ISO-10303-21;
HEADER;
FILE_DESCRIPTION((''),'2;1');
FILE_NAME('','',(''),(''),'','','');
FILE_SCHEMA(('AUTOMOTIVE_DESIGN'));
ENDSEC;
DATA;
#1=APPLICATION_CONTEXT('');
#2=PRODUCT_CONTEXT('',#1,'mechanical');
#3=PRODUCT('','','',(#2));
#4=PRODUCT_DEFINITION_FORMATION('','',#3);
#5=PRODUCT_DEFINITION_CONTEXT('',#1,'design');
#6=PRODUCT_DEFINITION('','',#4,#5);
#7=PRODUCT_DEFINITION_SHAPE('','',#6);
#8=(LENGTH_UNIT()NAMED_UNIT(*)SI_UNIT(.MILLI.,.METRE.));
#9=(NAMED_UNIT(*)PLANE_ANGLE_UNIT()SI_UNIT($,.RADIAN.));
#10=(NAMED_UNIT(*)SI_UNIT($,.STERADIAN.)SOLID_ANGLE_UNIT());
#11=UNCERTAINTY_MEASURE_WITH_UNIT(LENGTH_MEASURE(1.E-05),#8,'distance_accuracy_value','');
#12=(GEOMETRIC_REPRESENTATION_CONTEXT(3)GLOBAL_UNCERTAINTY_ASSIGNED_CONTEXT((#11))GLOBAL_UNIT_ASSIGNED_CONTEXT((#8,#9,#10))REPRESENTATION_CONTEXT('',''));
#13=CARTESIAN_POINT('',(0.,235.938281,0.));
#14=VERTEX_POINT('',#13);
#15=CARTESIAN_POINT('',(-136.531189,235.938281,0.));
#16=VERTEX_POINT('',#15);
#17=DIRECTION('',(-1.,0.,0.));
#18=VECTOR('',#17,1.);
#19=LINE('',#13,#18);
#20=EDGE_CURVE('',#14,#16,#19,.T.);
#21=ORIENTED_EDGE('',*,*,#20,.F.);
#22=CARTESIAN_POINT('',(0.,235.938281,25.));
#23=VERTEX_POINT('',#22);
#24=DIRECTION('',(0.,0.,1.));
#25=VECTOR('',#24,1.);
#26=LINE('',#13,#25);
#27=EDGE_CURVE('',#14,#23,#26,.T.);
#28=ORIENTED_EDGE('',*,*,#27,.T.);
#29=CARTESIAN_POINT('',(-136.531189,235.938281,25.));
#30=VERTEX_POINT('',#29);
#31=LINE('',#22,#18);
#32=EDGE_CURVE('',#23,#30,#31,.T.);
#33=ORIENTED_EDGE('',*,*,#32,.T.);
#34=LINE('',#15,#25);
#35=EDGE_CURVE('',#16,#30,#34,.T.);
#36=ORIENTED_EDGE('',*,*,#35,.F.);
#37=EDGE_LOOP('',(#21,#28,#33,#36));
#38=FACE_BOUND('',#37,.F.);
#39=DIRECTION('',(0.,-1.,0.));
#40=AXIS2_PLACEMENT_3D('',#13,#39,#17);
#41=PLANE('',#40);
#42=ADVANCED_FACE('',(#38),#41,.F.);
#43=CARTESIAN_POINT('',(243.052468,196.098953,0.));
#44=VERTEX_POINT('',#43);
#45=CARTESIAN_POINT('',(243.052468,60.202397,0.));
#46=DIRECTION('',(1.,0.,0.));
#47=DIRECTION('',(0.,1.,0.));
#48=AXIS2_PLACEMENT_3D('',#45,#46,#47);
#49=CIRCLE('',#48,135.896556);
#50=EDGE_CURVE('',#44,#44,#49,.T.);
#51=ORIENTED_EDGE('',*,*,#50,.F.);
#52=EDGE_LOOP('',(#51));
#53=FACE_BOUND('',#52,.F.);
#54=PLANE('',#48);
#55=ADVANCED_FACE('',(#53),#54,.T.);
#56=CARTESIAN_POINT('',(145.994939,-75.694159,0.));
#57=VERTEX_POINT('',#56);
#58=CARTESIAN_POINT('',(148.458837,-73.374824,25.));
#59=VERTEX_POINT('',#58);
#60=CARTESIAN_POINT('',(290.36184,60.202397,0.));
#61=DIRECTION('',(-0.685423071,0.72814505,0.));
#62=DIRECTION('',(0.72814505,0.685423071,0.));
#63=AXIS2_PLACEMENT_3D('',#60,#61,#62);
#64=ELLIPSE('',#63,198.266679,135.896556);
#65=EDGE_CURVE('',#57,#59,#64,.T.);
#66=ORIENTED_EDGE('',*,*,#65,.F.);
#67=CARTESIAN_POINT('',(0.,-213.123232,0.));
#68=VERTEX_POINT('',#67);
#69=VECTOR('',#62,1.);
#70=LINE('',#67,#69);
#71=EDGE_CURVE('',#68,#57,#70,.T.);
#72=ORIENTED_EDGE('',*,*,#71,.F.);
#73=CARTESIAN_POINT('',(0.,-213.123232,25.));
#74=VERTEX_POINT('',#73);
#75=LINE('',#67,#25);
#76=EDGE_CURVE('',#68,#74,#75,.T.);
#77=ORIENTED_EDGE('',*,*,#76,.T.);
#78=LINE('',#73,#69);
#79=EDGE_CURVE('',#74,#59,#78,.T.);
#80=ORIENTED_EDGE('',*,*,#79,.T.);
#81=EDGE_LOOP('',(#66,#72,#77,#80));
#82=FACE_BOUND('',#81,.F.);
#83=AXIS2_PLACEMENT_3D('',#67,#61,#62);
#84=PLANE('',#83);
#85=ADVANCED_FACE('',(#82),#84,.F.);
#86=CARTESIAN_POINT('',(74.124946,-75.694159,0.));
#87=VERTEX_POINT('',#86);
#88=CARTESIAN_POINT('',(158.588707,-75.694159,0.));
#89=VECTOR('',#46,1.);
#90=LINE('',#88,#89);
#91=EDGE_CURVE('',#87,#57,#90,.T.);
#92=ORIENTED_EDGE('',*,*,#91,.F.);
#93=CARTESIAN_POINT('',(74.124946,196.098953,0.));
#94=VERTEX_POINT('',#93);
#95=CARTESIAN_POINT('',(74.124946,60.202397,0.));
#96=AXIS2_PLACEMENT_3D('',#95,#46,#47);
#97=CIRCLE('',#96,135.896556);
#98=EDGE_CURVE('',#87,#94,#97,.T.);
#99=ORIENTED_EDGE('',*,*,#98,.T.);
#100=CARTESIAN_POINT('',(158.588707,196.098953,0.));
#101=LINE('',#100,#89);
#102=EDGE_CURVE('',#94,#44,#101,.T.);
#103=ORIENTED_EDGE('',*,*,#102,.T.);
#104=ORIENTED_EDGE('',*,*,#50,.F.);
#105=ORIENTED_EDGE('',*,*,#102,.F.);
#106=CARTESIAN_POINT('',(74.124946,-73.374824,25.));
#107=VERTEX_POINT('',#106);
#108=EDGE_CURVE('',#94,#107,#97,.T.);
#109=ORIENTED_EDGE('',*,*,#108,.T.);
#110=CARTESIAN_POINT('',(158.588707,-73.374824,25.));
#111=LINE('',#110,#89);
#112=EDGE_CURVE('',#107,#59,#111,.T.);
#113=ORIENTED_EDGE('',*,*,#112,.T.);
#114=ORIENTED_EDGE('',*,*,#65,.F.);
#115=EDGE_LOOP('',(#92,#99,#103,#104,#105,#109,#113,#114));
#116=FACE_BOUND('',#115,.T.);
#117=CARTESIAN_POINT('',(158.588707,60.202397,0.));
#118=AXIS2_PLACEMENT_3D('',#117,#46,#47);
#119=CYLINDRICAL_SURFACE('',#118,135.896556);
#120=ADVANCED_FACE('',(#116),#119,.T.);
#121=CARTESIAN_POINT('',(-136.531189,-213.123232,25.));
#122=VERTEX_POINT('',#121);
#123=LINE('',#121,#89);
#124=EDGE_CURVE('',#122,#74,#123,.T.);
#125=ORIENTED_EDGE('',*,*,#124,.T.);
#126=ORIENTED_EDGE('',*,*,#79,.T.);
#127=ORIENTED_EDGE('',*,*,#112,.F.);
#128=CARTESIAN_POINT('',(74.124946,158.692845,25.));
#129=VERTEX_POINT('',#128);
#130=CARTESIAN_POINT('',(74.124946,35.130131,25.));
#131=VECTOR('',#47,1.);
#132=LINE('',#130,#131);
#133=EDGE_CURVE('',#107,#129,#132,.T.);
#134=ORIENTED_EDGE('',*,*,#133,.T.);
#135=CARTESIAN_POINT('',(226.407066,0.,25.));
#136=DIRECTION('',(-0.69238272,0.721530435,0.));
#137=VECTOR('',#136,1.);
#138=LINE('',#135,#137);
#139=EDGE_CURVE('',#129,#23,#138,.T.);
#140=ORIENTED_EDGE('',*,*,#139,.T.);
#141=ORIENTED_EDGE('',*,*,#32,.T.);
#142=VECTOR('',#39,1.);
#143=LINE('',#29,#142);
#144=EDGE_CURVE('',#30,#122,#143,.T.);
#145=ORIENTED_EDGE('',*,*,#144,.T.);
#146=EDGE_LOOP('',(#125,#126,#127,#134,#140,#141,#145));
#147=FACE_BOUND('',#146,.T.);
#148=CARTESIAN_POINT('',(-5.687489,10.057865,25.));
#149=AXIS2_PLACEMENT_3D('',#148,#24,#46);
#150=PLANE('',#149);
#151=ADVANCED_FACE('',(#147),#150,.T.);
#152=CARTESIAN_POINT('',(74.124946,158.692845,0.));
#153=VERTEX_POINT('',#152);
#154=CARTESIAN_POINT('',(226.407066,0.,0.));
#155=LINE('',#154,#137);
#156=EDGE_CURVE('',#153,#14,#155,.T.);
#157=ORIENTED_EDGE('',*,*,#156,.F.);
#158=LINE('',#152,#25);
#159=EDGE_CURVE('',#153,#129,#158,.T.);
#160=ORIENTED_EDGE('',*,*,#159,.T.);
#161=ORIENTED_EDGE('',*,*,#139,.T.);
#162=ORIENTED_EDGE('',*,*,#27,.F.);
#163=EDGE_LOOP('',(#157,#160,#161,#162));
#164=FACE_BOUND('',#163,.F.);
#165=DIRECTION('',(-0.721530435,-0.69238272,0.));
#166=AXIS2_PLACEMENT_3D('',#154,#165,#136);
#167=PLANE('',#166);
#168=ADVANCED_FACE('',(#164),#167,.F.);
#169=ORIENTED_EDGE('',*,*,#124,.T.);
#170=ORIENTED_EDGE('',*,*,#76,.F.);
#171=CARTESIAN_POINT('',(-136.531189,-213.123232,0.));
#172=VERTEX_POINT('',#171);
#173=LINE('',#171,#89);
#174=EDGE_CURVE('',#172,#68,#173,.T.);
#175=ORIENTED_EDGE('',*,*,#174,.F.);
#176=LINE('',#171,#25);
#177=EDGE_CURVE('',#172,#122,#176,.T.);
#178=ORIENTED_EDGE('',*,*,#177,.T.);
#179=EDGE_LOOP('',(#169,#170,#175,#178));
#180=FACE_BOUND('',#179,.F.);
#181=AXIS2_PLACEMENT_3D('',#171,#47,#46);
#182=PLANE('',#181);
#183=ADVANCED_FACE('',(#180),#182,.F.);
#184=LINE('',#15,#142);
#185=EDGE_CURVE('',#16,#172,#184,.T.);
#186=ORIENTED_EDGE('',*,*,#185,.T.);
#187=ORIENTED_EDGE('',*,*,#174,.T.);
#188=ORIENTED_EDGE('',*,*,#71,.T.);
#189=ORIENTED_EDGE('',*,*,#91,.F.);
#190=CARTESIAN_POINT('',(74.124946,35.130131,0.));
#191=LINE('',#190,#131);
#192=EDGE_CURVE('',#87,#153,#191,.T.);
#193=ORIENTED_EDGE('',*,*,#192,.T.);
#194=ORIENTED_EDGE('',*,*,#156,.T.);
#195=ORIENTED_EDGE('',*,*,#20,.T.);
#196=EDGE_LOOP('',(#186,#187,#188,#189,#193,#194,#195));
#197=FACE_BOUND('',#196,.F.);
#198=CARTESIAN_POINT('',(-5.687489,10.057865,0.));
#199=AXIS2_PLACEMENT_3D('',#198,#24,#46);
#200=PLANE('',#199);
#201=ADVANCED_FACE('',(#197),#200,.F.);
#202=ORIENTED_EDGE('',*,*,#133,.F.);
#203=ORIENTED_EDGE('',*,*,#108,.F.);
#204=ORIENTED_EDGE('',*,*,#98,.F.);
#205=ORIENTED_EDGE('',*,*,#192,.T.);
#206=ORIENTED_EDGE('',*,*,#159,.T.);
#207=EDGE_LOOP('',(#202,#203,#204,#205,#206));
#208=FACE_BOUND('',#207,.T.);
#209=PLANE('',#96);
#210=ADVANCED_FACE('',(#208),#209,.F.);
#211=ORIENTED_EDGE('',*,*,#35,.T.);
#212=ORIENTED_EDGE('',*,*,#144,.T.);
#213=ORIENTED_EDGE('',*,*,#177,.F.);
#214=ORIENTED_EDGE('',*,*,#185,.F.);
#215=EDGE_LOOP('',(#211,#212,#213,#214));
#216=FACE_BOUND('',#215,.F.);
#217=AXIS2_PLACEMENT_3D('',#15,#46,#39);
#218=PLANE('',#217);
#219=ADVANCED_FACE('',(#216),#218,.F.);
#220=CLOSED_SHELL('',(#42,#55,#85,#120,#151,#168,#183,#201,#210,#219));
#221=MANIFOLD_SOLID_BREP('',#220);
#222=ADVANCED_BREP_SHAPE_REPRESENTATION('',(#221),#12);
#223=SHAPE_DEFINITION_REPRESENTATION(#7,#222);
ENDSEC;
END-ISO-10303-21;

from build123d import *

# Parameters (mm, degrees)
F0_W     = 168.927521
F0_H     = 135.896556
F3_DEPTH = 25


with BuildPart() as f2:
    # F0 (on Top) → F2 (revolve)
    with BuildSketch(Plane.XY):
        with Locations((158.588707, 128.150675)):
            Rectangle(F0_W, F0_H)
    revolve(axis=Axis((158.588707, 60.202397, 0), (1, 0, 0)))

    # F1 (on Top) → F3 (join)
    with BuildSketch(Plane.XY):
        Polygon((0, 235.938281), (-136.531189, 235.938281), (-136.531189, -213.123232), (0, -213.123232), (226.407066, 0), align=None)
    extrude(amount=F3_DEPTH)


solid = f2.part
